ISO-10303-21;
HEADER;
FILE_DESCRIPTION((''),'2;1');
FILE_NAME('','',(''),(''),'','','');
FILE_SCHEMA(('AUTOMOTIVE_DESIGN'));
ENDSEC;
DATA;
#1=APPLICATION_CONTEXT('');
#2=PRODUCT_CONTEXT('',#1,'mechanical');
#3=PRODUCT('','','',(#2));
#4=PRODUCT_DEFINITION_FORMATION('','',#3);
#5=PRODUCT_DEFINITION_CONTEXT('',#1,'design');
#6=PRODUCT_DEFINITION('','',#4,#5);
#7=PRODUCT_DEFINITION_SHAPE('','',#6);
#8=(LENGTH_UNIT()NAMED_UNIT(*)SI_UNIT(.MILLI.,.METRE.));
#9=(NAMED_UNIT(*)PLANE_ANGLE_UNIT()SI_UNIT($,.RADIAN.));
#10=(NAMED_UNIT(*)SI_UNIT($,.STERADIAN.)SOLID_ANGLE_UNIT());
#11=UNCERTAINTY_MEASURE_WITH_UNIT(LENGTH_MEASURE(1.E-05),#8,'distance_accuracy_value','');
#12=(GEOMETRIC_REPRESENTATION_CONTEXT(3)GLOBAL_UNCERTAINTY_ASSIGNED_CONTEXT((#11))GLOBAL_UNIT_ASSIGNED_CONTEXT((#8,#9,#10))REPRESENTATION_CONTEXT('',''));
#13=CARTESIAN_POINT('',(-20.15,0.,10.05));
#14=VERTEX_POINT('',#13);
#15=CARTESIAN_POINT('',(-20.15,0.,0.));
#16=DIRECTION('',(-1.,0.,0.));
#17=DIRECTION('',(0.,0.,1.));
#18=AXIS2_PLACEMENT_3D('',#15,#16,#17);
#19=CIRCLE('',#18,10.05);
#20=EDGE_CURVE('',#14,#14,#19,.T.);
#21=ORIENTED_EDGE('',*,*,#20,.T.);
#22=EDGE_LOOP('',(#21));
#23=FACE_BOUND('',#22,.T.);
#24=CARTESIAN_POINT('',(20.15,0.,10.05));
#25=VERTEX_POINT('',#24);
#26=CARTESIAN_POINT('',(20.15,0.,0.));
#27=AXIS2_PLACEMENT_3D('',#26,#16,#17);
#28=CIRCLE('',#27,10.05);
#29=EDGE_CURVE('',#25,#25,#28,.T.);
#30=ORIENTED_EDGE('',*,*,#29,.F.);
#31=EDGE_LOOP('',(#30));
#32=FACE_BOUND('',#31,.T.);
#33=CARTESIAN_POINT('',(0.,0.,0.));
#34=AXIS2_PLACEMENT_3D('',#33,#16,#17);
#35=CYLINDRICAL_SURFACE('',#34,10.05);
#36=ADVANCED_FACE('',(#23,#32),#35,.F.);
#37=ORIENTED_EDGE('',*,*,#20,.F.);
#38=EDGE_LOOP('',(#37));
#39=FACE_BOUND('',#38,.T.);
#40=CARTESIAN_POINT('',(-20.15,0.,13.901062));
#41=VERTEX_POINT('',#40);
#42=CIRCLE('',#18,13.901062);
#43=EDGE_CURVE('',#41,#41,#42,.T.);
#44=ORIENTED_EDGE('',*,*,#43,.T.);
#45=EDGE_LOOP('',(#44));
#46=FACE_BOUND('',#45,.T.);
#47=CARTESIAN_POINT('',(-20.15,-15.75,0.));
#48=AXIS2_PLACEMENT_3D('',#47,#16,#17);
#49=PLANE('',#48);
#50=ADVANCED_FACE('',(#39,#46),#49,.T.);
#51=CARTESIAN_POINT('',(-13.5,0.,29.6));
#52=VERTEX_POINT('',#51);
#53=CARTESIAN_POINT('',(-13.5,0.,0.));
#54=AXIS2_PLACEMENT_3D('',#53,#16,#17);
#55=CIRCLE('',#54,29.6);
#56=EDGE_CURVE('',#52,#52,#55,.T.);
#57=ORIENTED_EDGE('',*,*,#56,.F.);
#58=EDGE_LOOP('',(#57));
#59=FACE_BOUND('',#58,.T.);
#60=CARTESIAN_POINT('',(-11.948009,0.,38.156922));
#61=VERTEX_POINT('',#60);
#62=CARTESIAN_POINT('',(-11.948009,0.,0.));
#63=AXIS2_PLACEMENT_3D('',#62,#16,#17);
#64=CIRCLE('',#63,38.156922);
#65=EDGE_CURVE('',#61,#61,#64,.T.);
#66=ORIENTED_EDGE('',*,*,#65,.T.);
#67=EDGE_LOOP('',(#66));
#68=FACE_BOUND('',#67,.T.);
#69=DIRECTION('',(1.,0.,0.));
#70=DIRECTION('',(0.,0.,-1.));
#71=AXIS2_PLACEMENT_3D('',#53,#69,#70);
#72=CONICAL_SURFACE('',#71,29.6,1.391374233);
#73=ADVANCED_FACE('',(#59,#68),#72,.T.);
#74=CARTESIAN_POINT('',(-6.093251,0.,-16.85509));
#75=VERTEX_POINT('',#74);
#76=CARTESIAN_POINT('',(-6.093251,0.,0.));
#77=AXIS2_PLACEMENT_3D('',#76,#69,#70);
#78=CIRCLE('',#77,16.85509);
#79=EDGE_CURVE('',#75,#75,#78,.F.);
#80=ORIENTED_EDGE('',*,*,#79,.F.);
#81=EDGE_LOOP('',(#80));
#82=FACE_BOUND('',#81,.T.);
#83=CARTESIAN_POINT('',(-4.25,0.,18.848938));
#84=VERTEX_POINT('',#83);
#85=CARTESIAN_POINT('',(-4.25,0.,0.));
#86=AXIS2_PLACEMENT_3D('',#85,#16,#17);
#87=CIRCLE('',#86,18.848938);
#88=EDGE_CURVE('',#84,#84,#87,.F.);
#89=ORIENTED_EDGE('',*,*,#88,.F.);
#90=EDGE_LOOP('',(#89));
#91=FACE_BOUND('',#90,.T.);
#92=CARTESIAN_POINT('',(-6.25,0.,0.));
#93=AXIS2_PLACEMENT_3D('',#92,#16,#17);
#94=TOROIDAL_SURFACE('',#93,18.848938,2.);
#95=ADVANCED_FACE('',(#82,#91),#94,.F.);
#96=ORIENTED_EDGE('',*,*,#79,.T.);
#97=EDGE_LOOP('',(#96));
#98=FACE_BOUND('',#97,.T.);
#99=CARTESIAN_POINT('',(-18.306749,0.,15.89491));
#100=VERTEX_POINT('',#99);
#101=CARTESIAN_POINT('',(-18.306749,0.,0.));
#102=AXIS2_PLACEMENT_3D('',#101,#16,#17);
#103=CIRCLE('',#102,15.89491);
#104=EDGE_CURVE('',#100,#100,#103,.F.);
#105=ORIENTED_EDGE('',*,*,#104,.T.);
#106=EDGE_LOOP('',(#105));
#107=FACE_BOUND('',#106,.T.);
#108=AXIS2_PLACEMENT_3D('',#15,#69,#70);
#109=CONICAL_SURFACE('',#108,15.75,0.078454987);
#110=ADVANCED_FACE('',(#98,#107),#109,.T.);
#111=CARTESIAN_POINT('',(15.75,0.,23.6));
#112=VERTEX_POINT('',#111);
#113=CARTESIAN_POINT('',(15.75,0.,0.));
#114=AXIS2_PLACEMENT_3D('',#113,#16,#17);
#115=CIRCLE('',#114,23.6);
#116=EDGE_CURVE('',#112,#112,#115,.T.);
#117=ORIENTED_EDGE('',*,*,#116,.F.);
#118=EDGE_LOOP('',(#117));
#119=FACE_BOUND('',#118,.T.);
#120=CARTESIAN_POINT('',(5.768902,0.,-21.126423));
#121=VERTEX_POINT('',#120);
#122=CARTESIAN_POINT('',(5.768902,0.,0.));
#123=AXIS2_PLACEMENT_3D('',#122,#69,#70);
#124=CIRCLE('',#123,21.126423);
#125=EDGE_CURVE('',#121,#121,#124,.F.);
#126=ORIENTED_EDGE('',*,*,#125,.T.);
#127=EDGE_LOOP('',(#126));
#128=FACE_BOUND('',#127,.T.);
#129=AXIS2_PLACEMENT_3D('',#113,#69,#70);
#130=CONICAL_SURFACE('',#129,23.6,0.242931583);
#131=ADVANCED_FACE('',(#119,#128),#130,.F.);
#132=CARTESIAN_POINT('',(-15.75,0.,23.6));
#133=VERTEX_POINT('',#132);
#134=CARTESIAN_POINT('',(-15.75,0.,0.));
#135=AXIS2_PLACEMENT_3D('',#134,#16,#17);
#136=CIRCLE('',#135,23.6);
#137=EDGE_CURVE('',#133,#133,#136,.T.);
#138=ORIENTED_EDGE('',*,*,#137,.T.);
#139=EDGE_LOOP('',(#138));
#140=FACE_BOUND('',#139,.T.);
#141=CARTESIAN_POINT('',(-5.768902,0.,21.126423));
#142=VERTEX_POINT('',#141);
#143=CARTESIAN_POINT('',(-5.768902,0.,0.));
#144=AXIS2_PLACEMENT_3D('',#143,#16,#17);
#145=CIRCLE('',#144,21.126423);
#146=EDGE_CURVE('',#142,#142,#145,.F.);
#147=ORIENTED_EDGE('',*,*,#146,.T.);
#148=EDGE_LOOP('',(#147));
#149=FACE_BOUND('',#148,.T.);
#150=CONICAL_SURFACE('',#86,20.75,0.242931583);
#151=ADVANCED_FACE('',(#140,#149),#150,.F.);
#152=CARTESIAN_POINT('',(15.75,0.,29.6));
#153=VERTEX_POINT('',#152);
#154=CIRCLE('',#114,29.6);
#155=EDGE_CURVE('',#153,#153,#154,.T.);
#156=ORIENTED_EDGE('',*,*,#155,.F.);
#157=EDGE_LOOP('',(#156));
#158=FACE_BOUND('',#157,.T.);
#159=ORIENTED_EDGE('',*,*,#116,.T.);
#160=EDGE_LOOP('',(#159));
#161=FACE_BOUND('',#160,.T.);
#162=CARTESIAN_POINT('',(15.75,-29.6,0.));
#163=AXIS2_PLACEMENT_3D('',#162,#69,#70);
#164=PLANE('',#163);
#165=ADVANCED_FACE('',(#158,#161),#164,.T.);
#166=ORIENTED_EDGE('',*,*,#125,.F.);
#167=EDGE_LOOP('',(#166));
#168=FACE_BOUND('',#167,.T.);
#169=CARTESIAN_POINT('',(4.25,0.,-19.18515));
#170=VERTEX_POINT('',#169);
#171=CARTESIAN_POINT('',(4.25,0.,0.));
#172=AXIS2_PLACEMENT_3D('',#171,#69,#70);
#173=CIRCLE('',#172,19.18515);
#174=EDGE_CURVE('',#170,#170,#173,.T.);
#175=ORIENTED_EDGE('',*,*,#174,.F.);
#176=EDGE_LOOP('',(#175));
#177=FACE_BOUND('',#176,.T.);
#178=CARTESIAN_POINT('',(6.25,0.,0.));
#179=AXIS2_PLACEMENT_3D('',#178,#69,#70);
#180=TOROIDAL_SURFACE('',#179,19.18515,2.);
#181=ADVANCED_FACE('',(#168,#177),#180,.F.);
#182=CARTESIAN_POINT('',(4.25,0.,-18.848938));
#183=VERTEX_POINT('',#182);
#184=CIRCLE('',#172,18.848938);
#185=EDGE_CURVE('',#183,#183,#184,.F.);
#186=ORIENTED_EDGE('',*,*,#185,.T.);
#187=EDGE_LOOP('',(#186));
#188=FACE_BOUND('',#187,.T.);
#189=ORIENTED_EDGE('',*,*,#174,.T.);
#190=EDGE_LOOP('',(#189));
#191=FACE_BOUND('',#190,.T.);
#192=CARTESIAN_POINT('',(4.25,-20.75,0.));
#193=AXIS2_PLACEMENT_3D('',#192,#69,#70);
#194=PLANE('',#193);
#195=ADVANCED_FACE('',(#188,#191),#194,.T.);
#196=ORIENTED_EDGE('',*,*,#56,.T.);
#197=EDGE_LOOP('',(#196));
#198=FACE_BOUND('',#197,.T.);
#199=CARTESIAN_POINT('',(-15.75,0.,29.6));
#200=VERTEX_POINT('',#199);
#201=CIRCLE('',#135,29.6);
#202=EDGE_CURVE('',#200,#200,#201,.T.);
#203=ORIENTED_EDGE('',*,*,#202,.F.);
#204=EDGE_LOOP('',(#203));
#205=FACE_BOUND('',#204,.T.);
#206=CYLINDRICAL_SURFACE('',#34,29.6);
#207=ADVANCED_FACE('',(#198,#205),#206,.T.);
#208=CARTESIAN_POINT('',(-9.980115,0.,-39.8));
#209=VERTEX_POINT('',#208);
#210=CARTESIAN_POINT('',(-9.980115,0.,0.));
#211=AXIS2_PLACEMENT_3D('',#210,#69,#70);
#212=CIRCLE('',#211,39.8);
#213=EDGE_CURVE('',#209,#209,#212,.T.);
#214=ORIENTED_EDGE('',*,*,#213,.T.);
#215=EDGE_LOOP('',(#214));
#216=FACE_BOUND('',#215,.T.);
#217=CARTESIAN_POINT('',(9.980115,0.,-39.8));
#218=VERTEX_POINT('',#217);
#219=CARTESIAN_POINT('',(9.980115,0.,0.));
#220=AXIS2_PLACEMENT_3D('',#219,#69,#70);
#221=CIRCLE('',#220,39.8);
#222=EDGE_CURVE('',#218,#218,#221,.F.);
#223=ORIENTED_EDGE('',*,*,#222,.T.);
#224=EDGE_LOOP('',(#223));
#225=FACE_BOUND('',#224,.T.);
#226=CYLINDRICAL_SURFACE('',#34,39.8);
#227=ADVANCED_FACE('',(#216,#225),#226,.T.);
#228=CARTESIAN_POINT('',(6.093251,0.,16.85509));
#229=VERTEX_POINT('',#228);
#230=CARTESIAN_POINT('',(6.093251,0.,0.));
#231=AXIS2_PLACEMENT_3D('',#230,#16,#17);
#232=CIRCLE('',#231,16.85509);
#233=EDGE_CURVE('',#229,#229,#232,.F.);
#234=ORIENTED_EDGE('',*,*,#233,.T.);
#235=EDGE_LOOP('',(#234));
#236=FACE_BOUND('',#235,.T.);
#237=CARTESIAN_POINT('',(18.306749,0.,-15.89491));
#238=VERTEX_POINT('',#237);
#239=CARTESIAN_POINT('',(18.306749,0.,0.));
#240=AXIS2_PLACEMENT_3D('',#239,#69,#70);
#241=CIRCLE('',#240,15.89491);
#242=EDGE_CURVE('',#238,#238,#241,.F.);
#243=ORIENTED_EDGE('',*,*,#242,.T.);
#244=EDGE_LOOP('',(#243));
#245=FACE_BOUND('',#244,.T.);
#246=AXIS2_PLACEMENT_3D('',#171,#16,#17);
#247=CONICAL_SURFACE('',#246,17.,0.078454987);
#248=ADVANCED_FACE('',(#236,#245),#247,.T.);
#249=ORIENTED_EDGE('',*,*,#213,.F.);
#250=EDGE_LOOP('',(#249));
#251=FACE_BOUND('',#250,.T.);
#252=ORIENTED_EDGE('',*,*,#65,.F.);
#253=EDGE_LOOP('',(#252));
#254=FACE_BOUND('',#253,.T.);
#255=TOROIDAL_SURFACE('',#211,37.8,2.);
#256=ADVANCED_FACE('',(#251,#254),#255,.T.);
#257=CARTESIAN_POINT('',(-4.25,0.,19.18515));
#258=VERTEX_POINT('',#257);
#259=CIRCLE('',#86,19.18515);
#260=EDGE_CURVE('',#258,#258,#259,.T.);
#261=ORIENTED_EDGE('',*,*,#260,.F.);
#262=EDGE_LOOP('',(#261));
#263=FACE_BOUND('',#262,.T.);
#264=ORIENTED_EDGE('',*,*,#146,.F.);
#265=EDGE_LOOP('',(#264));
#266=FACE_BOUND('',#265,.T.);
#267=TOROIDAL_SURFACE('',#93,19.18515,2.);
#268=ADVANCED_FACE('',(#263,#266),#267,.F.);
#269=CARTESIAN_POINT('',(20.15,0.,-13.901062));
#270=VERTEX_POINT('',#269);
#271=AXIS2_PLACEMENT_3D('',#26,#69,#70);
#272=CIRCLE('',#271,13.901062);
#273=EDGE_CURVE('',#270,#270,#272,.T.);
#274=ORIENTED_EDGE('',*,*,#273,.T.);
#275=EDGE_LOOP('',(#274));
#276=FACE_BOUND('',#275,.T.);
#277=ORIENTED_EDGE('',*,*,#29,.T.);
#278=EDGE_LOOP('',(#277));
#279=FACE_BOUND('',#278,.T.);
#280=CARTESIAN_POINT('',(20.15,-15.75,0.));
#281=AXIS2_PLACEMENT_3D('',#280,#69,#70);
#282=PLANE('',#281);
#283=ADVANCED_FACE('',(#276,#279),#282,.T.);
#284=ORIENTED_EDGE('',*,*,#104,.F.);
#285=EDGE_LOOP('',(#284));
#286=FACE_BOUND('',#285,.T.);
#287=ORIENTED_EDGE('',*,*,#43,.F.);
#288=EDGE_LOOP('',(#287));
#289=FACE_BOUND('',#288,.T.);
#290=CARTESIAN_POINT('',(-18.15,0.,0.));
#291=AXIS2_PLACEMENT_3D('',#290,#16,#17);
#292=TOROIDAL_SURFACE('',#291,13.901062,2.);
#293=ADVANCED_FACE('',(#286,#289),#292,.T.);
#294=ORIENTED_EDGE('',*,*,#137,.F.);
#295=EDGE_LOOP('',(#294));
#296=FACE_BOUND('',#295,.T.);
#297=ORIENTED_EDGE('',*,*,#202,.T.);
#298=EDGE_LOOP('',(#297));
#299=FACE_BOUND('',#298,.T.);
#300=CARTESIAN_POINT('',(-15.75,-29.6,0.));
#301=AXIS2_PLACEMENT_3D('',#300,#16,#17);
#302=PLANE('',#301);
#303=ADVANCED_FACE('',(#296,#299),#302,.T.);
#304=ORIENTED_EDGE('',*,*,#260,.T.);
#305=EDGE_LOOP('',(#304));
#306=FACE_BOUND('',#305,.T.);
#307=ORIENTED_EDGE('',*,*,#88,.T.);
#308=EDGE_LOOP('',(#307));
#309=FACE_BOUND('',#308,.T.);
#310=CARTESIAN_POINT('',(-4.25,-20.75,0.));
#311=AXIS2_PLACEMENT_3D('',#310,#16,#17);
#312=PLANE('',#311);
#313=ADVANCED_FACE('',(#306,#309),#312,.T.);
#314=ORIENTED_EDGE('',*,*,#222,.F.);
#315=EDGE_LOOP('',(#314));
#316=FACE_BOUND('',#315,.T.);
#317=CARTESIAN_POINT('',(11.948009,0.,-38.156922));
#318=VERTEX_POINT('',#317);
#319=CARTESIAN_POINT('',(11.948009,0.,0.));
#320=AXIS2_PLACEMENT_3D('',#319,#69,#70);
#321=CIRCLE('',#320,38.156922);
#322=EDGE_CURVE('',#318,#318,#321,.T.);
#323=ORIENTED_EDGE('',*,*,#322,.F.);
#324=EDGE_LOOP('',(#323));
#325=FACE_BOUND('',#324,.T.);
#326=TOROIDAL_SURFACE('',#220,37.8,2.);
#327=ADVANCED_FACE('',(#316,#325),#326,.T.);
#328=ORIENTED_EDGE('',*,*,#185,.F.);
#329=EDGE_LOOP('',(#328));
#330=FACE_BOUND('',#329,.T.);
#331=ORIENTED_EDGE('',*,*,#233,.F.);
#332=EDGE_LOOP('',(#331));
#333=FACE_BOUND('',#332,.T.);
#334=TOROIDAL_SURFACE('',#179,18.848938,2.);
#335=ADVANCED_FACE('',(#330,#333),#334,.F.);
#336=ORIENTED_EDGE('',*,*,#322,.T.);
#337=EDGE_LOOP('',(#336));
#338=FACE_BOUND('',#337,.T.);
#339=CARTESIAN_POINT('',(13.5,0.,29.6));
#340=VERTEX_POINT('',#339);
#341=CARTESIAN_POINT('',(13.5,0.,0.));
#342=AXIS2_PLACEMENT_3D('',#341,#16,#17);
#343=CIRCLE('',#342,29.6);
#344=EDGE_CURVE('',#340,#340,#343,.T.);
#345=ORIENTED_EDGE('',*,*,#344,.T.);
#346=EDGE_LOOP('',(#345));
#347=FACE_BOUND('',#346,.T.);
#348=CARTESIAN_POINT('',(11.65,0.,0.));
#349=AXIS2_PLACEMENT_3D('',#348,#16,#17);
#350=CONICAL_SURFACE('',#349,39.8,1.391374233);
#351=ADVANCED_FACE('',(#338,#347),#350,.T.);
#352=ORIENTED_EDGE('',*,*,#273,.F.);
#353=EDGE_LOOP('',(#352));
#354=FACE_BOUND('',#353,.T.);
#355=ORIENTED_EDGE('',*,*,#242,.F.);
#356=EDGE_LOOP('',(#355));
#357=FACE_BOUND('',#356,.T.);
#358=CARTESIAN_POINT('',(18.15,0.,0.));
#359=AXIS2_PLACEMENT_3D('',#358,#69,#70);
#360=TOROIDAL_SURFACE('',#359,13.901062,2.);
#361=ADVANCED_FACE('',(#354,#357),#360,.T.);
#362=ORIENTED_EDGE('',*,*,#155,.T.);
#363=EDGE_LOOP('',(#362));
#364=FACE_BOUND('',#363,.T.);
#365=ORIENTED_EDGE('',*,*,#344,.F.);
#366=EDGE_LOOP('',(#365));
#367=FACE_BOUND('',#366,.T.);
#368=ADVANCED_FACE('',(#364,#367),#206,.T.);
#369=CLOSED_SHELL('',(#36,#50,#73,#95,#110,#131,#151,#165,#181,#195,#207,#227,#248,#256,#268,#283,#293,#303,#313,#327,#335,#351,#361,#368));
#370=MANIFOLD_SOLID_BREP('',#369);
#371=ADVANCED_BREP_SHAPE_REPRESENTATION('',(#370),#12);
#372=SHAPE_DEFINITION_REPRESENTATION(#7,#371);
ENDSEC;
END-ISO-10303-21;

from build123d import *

# Parameters (mm, degrees)
FILLET1_R = 2


with BuildPart() as part:
    # Sketch1 → Revolve1 (revolve)
    with BuildSketch(Plane.XY, mode=Mode.PRIVATE) as revolve1_sk:
        Polygon((-11.65, -39.8), (11.65, -39.8), (13.5, -29.6), (15.75, -29.6), (15.75, -23.6), (4.25, -20.75), (4.25, -17), (20.15, -15.75), (20.15, -10.05), (-20.15, -10.05), (-20.15, -15.75), (-4.25, -17), (-4.25, -20.75), (-15.75, -23.6), (-15.75, -29.6), (-13.5, -29.6), align=None)
    revolve(revolve1_sk.sketch.rotate(Axis((0, 0, 0), (1, 0, 0)), 270), axis=Axis((0, 0, 0), (1, 0, 0)))

    # Fillet1
    fillet1_edges = [part.edges().sort_by_distance(p)[0] for p in [
        (11.65, 0, -39.8),
        (-11.65, 0, -39.8),
        (-4.25, 0, -20.75),
        (-4.25, 0, -17),
        (-20.15, 0, -15.75),
        (20.15, 0, -15.75),
        (4.25, 0, -17),
        (4.25, 0, -20.75),
    ]]
    fillet(fillet1_edges, radius=FILLET1_R)


solid = part.part
